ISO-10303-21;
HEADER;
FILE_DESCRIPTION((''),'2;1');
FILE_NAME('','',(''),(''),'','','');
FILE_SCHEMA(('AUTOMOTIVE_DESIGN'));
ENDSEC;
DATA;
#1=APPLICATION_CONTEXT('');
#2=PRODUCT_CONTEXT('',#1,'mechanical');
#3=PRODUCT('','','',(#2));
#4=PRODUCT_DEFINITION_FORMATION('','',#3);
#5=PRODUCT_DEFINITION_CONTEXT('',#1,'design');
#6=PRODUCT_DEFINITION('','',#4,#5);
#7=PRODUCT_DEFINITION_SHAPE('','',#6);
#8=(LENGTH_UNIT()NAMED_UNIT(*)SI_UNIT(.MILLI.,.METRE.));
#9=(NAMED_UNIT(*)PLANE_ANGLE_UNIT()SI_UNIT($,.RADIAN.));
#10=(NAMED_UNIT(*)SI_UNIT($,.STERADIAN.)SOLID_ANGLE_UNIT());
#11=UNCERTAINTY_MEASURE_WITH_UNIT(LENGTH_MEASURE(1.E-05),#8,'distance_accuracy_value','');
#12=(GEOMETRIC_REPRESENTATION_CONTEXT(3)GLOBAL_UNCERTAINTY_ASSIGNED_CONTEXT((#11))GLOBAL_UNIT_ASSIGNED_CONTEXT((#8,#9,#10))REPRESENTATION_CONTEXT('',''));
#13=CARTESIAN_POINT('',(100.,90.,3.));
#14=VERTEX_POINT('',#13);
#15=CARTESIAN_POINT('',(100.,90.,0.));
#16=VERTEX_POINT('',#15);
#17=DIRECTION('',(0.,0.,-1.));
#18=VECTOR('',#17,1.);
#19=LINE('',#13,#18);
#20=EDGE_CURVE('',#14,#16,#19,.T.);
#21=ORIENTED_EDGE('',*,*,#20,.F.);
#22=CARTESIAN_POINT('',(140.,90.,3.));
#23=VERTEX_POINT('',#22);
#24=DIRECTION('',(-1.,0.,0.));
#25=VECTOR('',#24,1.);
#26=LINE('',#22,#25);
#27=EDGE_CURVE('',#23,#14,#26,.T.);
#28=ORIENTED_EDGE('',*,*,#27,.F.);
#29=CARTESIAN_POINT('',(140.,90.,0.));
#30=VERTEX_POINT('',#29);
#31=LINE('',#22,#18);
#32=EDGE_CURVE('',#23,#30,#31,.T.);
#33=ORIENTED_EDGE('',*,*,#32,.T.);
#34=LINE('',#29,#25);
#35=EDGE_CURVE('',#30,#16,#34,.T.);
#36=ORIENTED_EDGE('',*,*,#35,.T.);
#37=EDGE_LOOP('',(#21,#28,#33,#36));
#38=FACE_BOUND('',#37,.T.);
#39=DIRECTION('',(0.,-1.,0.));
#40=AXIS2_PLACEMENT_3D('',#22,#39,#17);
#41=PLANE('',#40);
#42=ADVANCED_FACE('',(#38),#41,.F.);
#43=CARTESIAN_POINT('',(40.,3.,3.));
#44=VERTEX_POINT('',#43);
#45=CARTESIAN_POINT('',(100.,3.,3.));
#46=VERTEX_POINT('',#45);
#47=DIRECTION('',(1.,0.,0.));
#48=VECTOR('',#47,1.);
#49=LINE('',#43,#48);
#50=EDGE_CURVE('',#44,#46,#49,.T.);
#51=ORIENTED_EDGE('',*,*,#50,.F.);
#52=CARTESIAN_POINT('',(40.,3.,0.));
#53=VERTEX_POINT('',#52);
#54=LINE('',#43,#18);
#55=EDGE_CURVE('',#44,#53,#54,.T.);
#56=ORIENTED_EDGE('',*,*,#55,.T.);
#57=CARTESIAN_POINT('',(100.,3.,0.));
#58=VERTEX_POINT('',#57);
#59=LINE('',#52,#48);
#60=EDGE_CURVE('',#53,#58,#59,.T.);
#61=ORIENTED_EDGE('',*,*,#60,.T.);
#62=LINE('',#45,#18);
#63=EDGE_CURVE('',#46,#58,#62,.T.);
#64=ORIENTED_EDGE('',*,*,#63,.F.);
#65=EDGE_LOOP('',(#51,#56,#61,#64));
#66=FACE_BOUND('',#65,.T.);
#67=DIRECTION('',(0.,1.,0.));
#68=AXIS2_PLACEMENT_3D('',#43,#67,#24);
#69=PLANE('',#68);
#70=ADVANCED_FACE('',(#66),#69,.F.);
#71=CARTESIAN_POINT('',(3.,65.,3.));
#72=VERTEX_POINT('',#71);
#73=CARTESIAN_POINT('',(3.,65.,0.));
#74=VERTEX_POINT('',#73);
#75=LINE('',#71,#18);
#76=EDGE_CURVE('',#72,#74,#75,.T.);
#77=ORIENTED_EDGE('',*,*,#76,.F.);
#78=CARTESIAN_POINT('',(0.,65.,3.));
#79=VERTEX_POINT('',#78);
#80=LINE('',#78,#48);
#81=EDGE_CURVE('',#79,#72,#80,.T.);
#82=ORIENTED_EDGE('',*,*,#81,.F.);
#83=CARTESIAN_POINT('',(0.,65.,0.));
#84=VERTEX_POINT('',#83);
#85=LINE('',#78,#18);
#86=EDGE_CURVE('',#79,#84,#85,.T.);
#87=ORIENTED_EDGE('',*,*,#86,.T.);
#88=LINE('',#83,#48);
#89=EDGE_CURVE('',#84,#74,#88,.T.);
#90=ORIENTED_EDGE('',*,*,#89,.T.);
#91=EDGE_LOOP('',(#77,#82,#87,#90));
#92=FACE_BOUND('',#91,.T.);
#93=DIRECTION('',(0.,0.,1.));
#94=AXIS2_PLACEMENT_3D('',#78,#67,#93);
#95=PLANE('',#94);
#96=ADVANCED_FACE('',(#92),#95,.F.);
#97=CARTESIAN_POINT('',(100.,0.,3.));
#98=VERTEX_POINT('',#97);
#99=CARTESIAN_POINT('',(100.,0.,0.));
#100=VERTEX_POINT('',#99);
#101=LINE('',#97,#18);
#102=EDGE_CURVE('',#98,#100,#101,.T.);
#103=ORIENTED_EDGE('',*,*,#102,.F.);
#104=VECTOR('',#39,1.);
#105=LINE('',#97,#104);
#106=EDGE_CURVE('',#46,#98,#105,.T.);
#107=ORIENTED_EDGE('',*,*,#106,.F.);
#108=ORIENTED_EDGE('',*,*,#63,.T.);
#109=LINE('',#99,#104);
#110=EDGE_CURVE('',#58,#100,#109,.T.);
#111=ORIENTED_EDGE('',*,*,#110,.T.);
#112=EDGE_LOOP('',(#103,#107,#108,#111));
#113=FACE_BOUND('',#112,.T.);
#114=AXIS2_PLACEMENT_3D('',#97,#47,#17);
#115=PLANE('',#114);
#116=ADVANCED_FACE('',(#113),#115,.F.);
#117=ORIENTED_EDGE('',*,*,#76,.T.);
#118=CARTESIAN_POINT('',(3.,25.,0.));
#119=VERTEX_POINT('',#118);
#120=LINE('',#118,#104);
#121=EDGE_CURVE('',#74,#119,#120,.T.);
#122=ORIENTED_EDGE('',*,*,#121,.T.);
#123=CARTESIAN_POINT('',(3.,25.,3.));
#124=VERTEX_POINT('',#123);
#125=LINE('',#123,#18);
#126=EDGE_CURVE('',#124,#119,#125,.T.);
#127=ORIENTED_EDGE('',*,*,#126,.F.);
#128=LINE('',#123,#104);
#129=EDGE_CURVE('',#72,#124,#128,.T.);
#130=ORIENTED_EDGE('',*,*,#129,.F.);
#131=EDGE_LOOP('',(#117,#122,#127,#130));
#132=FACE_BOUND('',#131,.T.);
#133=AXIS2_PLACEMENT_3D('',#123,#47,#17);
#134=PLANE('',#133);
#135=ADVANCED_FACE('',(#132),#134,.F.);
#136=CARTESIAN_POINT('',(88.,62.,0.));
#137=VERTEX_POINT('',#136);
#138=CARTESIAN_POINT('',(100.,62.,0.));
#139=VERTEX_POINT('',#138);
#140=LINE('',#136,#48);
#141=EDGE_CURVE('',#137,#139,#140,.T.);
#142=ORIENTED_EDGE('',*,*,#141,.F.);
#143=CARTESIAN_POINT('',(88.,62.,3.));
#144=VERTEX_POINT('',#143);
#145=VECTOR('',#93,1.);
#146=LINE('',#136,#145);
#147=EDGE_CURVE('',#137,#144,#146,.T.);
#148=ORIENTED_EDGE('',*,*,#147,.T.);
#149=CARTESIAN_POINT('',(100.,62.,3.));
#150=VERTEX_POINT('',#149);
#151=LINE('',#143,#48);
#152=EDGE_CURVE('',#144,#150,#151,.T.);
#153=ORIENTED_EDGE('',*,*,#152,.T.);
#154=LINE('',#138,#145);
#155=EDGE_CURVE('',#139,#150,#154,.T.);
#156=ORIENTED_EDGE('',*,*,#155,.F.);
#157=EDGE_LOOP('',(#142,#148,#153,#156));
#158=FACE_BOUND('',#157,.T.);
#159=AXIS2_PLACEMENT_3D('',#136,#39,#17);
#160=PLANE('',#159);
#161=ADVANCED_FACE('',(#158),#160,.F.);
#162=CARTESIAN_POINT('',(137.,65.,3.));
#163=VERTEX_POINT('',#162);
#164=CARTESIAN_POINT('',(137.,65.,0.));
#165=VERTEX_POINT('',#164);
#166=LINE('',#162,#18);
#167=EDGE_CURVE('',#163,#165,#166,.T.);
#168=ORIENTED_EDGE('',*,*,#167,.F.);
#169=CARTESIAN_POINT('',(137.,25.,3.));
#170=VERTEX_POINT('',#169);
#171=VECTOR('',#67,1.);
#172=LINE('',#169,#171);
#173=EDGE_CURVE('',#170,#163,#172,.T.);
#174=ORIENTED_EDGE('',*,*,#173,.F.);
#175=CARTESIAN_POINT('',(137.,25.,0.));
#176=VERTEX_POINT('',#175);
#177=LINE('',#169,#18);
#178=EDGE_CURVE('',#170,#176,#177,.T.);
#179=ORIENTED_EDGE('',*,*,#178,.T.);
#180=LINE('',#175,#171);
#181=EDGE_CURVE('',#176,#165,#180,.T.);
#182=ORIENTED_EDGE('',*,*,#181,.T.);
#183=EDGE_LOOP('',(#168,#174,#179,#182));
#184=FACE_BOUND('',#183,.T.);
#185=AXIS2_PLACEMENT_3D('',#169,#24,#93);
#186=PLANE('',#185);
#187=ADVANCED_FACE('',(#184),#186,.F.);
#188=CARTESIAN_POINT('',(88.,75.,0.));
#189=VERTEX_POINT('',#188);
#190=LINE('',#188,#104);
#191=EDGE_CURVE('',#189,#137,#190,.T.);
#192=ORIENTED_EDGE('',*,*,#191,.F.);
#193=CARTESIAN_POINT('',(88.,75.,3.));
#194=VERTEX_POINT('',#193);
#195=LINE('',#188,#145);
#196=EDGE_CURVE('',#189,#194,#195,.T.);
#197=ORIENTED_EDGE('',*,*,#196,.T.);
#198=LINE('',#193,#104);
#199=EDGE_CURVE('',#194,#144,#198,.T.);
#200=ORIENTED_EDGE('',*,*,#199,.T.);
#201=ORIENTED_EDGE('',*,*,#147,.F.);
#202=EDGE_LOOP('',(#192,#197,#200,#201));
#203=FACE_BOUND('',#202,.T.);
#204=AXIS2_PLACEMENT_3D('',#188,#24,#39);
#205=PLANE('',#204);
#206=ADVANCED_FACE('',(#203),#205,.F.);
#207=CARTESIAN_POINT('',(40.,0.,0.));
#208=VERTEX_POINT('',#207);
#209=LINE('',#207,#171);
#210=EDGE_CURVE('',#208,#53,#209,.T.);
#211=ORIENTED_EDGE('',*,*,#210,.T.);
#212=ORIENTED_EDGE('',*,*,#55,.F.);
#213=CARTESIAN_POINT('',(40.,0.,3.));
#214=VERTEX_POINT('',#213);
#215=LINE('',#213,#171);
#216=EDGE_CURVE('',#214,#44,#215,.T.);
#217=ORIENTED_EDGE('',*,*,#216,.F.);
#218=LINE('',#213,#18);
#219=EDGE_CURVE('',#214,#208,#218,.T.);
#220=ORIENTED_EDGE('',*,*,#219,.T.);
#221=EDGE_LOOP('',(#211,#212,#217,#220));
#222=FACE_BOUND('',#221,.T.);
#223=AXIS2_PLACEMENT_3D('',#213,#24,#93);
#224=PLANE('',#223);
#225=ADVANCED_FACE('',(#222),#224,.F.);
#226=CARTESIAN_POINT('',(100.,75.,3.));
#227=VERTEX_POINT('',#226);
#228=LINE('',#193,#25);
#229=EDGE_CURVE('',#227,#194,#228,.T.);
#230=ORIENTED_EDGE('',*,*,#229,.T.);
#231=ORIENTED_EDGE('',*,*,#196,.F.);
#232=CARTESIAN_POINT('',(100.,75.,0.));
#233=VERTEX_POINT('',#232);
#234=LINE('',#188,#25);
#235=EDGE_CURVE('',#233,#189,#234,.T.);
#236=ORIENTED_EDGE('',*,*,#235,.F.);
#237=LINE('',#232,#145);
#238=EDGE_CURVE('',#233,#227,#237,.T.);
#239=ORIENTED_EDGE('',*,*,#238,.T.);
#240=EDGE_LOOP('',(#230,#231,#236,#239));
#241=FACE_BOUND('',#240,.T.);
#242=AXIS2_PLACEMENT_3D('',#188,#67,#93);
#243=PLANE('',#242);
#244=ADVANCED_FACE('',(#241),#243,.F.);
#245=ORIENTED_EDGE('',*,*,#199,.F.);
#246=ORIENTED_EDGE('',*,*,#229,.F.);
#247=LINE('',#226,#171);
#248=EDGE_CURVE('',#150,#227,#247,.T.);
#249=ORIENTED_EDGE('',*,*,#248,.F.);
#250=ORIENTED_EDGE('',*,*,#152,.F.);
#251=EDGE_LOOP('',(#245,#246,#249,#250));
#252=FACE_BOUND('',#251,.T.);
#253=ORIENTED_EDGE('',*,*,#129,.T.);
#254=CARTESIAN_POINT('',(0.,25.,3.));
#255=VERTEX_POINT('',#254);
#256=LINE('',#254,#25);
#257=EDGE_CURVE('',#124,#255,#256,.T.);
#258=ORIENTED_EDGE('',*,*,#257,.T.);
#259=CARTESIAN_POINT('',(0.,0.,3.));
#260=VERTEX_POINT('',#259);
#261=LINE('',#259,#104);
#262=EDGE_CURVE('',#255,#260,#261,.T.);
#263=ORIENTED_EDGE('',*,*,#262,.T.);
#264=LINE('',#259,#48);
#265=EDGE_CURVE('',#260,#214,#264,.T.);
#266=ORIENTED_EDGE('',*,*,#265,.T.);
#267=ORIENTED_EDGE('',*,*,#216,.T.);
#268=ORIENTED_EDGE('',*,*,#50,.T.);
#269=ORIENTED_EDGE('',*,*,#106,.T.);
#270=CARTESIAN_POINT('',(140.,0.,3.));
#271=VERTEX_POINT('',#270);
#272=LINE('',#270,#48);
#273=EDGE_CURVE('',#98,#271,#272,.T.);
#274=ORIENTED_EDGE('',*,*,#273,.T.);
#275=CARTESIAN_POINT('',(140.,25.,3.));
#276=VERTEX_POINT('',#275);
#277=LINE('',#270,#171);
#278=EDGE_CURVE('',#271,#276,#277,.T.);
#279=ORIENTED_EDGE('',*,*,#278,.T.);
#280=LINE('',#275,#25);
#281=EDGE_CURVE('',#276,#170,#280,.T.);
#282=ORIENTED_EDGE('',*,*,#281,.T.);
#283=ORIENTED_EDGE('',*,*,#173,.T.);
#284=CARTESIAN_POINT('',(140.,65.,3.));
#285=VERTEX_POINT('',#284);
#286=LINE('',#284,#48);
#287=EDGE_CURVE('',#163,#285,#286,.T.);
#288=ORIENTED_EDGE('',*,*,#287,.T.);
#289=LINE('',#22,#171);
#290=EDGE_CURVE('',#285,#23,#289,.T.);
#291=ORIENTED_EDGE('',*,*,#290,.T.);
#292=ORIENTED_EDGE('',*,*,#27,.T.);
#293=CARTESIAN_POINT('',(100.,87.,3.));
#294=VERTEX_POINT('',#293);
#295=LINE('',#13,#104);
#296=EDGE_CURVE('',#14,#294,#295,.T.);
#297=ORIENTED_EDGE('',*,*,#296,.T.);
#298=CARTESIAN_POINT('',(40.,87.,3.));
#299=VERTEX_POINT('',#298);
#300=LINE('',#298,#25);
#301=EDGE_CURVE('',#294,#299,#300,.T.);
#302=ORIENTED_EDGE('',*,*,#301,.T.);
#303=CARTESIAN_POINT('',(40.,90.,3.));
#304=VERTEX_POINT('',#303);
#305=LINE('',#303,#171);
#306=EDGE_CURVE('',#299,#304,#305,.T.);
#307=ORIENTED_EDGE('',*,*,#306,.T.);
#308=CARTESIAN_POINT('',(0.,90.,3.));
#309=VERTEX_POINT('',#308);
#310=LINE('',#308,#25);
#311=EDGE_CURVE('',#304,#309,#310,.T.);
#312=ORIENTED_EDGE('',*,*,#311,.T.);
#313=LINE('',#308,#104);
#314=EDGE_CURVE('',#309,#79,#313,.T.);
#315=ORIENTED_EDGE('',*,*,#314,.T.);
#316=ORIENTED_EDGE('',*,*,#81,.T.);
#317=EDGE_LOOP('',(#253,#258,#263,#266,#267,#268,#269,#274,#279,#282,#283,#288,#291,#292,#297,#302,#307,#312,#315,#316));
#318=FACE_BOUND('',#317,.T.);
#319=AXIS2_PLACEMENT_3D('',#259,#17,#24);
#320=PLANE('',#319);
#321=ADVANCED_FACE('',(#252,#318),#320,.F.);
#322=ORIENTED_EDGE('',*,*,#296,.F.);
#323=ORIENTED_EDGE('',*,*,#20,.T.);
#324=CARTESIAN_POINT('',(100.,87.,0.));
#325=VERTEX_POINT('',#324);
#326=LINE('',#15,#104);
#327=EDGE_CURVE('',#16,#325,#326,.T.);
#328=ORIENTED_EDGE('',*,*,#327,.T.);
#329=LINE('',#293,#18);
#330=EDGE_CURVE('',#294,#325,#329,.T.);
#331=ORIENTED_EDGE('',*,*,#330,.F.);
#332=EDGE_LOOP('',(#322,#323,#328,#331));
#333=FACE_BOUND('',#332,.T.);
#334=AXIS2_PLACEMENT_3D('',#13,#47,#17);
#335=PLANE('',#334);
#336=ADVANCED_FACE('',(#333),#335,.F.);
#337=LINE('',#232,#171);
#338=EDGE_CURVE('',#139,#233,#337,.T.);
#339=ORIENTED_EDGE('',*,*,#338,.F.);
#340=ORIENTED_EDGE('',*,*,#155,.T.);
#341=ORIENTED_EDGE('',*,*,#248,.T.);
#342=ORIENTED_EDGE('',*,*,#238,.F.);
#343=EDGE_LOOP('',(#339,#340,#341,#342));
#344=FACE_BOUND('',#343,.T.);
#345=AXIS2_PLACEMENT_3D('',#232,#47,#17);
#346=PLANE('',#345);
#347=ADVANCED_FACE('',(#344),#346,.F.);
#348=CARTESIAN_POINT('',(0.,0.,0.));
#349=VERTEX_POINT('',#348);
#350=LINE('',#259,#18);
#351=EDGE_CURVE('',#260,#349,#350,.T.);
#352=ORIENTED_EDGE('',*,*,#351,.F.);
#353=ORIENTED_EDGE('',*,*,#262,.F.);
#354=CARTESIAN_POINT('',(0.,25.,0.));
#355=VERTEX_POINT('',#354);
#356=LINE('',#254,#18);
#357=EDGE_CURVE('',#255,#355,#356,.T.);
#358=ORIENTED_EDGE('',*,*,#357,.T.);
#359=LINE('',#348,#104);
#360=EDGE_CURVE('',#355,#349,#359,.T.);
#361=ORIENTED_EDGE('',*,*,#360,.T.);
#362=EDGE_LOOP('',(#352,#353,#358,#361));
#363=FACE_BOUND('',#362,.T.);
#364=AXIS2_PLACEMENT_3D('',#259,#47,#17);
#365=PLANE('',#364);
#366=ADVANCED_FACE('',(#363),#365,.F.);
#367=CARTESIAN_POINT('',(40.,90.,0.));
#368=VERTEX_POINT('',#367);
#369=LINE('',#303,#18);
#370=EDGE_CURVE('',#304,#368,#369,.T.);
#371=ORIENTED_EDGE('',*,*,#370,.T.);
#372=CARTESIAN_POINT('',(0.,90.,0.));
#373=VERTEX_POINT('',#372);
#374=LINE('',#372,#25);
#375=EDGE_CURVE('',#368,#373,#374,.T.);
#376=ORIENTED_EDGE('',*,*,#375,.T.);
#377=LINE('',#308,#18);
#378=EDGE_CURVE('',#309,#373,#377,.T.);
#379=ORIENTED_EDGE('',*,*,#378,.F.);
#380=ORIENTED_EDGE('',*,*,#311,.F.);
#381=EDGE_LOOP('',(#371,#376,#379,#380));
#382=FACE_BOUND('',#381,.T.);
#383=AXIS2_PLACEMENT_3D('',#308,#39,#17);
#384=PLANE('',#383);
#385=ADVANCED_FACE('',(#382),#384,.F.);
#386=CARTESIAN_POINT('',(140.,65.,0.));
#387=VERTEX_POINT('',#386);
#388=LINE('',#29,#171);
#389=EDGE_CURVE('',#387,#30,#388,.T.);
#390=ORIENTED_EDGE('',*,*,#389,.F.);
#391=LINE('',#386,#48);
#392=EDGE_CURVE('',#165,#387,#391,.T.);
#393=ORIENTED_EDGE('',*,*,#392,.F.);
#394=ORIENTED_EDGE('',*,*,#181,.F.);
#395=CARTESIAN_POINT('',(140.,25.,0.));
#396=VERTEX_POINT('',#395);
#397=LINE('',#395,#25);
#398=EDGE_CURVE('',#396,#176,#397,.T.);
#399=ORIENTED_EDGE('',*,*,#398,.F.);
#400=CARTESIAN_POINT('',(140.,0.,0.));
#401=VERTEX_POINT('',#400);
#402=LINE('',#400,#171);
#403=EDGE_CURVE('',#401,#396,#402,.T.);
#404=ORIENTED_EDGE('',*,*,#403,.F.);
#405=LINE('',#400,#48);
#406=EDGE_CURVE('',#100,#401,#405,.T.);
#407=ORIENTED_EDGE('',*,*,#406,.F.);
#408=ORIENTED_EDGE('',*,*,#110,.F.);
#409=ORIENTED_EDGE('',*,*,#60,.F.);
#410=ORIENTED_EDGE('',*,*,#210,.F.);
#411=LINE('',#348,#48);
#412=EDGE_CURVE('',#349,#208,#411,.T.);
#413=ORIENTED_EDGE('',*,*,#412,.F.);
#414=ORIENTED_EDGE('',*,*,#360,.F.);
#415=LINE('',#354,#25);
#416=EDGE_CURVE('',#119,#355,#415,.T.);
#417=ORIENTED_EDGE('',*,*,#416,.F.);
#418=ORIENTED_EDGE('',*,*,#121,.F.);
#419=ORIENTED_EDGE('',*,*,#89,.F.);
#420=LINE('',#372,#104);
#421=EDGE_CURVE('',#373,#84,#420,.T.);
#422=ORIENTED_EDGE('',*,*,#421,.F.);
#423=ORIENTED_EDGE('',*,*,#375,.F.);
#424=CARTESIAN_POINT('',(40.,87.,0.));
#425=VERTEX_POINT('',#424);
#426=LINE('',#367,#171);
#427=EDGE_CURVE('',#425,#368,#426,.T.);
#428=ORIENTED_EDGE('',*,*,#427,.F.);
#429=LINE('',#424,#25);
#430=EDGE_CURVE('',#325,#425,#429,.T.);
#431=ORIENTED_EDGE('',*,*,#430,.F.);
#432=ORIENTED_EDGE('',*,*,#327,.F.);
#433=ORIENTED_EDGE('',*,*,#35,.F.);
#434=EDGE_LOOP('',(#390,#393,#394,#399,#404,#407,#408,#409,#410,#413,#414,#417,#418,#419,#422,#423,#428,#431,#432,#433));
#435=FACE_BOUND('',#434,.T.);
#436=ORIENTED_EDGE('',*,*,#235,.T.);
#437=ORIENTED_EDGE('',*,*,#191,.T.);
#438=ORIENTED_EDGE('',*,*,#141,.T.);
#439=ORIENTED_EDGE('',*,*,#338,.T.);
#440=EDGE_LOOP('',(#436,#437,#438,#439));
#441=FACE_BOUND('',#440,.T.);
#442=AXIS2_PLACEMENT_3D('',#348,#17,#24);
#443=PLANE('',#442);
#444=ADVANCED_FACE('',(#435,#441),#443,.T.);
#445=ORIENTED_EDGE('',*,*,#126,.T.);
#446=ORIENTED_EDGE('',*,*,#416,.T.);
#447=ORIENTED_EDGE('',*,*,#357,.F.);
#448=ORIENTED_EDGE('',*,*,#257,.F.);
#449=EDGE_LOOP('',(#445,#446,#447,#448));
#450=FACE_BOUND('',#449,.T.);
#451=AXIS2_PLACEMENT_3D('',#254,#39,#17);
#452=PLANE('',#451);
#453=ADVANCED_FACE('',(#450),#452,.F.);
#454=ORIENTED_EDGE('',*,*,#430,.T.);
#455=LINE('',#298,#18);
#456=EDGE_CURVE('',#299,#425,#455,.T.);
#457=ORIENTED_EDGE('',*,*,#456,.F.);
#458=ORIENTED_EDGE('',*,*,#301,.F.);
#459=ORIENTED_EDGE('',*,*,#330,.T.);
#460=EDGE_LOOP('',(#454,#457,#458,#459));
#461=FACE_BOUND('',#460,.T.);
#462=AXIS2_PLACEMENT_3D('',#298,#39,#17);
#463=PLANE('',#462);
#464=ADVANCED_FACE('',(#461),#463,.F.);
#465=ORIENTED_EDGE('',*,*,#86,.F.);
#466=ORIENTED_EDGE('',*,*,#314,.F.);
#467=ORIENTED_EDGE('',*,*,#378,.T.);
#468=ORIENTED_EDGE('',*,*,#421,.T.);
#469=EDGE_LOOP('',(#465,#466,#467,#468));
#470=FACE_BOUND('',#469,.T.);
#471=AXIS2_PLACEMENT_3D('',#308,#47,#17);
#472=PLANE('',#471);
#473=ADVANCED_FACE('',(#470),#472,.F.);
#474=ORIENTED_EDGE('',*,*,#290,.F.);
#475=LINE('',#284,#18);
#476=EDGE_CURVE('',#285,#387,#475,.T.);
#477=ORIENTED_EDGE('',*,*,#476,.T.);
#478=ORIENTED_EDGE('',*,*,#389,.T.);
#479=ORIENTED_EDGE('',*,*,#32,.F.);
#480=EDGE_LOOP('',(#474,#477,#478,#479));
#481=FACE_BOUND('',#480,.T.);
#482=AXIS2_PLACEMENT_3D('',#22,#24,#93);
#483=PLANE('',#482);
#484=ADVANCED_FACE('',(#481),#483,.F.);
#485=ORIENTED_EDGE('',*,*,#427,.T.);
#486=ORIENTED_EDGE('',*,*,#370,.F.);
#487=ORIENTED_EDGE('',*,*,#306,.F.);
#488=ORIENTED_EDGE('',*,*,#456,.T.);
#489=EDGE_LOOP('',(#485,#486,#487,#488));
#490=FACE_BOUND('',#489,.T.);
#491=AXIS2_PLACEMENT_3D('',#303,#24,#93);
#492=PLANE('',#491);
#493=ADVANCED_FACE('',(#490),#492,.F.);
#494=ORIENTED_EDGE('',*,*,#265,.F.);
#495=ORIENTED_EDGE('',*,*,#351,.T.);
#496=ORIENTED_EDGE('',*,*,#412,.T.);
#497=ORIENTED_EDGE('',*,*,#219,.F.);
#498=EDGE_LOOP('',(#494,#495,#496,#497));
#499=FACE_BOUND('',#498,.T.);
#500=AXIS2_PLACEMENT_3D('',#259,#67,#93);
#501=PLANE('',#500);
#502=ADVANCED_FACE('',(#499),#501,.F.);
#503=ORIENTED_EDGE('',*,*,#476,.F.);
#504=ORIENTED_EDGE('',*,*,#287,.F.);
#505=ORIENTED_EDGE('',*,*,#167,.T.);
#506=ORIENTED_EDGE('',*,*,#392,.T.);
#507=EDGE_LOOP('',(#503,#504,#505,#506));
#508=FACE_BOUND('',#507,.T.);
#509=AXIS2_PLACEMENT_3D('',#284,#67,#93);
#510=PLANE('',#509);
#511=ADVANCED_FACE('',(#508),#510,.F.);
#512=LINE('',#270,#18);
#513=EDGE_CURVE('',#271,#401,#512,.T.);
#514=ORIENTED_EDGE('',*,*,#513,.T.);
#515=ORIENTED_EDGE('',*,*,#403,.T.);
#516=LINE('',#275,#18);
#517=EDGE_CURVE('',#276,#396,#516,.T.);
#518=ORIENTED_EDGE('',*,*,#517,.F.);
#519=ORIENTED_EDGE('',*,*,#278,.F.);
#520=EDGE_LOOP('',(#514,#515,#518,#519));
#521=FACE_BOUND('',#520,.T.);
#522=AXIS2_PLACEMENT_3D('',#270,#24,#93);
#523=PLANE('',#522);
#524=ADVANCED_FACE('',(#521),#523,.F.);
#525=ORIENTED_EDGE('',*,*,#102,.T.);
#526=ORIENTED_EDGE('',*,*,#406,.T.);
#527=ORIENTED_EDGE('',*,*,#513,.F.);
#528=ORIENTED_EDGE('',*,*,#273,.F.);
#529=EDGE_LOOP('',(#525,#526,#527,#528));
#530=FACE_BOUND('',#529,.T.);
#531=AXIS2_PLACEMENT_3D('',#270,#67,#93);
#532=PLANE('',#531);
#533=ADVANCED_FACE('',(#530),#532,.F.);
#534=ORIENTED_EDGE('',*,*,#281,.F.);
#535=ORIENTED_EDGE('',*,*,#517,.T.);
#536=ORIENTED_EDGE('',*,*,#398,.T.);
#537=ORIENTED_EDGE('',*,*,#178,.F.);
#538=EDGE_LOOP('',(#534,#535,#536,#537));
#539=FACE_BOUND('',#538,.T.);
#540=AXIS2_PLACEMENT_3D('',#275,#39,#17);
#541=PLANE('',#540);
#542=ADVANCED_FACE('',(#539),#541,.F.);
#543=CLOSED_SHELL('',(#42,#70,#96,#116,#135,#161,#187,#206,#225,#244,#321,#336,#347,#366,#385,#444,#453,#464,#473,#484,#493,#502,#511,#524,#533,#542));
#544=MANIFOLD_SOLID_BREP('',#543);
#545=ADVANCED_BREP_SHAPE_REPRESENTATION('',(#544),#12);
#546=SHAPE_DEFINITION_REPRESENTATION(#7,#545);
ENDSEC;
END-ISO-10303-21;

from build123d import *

# Parameters (mm, degrees)
EXTRUDE_1_DEPTH     = 3
SKETCH_2_W          = 12
SKETCH_2_H          = 13
CUT_EXTRUDE_1_DEPTH = 167.460205455


with BuildPart() as part:
    # Эскиз1 → Бобышка-Вытянуть1 (new body)
    with BuildSketch(Plane.XY):
        Polygon((0, 0), (40, 0), (40, 3), (100, 3), (100, 0), (140, 0), (140, 25), (137, 25), (137, 65), (140, 65), (140, 90), (100, 90), (100, 87), (40, 87), (40, 90), (0, 90), (0, 65), (3, 65), (3, 25), (0, 25), align=None)
    extrude(amount=EXTRUDE_1_DEPTH)

    # Эскиз2 → Вырез-Вытянуть1 (cut, through all)
    with BuildSketch(Plane.XY.offset(3)):
        with Locations((94, 68.5)):
            Rectangle(SKETCH_2_W, SKETCH_2_H)
    extrude(amount=-CUT_EXTRUDE_1_DEPTH, mode=Mode.SUBTRACT)


solid = part.part
